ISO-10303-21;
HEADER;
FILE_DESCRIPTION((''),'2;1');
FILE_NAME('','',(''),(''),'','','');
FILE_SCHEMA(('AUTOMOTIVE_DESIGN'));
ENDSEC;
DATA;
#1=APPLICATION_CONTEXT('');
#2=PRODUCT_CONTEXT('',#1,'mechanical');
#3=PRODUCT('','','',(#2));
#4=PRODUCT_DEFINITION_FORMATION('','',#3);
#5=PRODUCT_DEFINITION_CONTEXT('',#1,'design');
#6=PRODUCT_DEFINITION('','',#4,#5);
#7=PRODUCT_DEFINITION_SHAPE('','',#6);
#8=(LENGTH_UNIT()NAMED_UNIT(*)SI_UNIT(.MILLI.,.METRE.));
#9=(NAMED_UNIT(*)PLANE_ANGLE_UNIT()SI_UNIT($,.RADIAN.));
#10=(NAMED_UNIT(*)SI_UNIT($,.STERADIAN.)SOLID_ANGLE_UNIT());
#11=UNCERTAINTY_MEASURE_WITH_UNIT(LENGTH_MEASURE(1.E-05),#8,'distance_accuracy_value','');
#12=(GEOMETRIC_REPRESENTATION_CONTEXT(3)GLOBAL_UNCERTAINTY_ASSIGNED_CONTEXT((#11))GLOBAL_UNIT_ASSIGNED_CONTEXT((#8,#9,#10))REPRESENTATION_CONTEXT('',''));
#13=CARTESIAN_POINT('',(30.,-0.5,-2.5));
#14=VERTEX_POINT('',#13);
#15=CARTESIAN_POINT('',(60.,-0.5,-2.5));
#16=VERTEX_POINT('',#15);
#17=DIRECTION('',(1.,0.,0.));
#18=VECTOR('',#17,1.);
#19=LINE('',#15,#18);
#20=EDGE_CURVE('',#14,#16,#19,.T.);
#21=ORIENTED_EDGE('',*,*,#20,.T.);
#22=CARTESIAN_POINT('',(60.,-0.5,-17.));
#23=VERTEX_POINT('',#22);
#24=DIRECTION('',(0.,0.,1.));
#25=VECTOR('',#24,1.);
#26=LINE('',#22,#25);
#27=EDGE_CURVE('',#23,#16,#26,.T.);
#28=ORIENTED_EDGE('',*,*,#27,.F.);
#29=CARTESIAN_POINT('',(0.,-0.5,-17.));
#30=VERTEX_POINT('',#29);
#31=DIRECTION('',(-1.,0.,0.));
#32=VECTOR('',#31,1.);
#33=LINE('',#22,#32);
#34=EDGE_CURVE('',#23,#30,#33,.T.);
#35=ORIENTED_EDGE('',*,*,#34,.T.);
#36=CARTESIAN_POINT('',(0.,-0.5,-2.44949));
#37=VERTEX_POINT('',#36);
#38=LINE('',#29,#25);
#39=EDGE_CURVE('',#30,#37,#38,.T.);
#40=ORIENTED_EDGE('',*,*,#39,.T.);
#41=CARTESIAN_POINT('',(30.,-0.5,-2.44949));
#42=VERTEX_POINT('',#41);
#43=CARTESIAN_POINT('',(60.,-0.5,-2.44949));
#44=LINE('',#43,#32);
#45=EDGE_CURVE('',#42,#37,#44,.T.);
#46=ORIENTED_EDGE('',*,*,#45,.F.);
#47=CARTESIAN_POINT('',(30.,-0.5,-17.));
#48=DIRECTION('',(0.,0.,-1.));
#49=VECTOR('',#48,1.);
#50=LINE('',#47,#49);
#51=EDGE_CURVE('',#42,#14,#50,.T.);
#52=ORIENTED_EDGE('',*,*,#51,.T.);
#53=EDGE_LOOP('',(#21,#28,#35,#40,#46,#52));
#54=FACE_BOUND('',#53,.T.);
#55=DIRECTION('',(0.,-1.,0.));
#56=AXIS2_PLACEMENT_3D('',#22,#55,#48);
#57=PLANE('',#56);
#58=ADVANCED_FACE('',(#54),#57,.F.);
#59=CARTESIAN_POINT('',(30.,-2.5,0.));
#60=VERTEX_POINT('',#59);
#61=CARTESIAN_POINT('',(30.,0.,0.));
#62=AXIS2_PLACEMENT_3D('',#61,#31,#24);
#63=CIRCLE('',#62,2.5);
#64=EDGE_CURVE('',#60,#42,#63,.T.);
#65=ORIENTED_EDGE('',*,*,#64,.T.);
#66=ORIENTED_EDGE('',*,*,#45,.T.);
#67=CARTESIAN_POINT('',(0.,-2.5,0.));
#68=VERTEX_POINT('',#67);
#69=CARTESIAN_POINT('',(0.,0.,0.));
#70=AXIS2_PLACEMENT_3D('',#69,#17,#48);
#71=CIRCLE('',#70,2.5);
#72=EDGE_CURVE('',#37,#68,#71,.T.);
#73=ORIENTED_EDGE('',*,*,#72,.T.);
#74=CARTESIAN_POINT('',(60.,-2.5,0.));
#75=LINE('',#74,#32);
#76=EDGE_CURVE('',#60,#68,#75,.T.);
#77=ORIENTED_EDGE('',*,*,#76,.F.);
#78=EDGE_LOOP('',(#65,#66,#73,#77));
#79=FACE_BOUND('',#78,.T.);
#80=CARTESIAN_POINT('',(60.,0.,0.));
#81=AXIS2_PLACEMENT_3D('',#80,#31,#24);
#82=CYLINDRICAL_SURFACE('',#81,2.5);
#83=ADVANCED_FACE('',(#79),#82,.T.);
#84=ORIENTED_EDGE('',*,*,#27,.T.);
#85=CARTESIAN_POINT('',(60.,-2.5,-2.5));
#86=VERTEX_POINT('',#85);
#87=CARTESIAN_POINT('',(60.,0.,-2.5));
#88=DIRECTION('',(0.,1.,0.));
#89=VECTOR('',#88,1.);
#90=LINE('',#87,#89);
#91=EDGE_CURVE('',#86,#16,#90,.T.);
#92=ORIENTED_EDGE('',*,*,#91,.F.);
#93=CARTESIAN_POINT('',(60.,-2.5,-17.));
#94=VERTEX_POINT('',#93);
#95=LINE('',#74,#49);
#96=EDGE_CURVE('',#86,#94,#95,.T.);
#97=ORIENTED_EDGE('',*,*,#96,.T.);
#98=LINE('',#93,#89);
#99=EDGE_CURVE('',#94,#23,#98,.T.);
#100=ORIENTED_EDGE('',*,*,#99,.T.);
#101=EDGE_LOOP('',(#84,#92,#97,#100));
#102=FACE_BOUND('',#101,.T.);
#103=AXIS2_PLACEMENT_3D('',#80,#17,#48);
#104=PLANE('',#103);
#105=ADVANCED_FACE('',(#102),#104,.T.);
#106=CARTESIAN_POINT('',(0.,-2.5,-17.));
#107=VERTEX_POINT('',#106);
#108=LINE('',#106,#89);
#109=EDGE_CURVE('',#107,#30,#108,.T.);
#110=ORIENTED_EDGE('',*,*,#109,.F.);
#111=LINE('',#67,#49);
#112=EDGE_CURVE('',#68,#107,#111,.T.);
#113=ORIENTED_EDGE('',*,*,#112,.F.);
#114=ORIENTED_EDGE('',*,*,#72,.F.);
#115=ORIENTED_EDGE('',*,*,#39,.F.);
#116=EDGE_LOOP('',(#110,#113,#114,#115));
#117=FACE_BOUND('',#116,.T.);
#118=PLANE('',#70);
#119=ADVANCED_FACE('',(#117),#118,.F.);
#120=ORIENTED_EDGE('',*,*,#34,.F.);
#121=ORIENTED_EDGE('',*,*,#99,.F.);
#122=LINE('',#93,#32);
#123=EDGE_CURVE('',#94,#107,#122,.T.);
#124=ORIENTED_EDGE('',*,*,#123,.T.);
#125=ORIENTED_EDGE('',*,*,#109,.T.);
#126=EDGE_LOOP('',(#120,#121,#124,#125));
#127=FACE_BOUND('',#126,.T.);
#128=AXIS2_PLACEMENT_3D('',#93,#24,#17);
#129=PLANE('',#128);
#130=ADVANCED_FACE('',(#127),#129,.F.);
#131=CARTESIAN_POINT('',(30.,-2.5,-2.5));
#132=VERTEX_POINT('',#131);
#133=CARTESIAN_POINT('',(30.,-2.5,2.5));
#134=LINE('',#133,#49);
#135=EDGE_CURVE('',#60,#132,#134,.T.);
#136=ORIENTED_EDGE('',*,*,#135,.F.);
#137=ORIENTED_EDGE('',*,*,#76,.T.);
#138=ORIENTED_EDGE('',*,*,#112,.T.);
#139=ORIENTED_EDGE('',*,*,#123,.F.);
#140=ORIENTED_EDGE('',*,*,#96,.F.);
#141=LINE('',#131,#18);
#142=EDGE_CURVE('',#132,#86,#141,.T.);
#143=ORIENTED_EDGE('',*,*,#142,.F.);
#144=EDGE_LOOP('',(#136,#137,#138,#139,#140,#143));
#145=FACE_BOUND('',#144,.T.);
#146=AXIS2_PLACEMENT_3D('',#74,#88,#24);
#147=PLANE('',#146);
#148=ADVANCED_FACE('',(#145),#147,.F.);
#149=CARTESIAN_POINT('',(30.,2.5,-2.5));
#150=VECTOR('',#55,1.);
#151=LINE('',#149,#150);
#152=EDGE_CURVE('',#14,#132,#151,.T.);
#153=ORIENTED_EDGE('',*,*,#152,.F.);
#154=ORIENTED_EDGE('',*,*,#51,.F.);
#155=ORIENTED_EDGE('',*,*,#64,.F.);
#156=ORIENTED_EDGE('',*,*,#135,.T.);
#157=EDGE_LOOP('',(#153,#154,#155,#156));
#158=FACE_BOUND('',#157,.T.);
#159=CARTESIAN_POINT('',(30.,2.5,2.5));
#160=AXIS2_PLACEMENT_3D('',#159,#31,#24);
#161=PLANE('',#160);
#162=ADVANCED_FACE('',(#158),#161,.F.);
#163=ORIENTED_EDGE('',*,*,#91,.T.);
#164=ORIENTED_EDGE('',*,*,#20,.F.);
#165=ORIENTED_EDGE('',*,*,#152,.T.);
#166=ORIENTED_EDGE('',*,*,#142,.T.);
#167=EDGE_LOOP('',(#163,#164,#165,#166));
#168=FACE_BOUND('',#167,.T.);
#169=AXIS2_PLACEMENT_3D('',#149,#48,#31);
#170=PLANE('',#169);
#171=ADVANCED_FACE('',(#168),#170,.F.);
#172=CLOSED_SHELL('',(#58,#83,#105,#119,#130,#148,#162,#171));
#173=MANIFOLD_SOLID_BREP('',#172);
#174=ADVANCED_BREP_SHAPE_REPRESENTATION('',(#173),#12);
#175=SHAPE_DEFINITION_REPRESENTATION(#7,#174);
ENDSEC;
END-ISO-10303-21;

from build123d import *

# Parameters (mm, degrees)
BOSS_EXTRUDE1_DEPTH = 60
SKETCH3_W           = 31.691445316
SKETCH3_H           = 5
CUT_EXTRUDE1_DEPTH  = 63.561969278


with BuildPart() as part:
    # Sketch1 → Boss-Extrude1 (new body)
    with BuildSketch(Plane(origin=(0, 0, 0), x_dir=(0, 0, -1), z_dir=(1, 0, 0))):
        with BuildLine():
            Line((0, -2.5), (17, -2.5))
            Line((17, -2.5), (17, -0.5))
            Line((17, -0.5), (2.449489743, -0.5))
            ThreePointArc((2.449489743, -0.5), (-1.58113883, 1.936491673), (0, -2.5))
        make_face()
    extrude(amount=BOSS_EXTRUDE1_DEPTH)

    # Sketch3 → Cut-Extrude1 (cut, through all)
    with BuildSketch(Plane.XZ.offset(2.5)):
        with Locations((45.845722658, 0)):
            Rectangle(SKETCH3_W, SKETCH3_H)
    extrude(amount=-CUT_EXTRUDE1_DEPTH, mode=Mode.SUBTRACT)


solid = part.part
